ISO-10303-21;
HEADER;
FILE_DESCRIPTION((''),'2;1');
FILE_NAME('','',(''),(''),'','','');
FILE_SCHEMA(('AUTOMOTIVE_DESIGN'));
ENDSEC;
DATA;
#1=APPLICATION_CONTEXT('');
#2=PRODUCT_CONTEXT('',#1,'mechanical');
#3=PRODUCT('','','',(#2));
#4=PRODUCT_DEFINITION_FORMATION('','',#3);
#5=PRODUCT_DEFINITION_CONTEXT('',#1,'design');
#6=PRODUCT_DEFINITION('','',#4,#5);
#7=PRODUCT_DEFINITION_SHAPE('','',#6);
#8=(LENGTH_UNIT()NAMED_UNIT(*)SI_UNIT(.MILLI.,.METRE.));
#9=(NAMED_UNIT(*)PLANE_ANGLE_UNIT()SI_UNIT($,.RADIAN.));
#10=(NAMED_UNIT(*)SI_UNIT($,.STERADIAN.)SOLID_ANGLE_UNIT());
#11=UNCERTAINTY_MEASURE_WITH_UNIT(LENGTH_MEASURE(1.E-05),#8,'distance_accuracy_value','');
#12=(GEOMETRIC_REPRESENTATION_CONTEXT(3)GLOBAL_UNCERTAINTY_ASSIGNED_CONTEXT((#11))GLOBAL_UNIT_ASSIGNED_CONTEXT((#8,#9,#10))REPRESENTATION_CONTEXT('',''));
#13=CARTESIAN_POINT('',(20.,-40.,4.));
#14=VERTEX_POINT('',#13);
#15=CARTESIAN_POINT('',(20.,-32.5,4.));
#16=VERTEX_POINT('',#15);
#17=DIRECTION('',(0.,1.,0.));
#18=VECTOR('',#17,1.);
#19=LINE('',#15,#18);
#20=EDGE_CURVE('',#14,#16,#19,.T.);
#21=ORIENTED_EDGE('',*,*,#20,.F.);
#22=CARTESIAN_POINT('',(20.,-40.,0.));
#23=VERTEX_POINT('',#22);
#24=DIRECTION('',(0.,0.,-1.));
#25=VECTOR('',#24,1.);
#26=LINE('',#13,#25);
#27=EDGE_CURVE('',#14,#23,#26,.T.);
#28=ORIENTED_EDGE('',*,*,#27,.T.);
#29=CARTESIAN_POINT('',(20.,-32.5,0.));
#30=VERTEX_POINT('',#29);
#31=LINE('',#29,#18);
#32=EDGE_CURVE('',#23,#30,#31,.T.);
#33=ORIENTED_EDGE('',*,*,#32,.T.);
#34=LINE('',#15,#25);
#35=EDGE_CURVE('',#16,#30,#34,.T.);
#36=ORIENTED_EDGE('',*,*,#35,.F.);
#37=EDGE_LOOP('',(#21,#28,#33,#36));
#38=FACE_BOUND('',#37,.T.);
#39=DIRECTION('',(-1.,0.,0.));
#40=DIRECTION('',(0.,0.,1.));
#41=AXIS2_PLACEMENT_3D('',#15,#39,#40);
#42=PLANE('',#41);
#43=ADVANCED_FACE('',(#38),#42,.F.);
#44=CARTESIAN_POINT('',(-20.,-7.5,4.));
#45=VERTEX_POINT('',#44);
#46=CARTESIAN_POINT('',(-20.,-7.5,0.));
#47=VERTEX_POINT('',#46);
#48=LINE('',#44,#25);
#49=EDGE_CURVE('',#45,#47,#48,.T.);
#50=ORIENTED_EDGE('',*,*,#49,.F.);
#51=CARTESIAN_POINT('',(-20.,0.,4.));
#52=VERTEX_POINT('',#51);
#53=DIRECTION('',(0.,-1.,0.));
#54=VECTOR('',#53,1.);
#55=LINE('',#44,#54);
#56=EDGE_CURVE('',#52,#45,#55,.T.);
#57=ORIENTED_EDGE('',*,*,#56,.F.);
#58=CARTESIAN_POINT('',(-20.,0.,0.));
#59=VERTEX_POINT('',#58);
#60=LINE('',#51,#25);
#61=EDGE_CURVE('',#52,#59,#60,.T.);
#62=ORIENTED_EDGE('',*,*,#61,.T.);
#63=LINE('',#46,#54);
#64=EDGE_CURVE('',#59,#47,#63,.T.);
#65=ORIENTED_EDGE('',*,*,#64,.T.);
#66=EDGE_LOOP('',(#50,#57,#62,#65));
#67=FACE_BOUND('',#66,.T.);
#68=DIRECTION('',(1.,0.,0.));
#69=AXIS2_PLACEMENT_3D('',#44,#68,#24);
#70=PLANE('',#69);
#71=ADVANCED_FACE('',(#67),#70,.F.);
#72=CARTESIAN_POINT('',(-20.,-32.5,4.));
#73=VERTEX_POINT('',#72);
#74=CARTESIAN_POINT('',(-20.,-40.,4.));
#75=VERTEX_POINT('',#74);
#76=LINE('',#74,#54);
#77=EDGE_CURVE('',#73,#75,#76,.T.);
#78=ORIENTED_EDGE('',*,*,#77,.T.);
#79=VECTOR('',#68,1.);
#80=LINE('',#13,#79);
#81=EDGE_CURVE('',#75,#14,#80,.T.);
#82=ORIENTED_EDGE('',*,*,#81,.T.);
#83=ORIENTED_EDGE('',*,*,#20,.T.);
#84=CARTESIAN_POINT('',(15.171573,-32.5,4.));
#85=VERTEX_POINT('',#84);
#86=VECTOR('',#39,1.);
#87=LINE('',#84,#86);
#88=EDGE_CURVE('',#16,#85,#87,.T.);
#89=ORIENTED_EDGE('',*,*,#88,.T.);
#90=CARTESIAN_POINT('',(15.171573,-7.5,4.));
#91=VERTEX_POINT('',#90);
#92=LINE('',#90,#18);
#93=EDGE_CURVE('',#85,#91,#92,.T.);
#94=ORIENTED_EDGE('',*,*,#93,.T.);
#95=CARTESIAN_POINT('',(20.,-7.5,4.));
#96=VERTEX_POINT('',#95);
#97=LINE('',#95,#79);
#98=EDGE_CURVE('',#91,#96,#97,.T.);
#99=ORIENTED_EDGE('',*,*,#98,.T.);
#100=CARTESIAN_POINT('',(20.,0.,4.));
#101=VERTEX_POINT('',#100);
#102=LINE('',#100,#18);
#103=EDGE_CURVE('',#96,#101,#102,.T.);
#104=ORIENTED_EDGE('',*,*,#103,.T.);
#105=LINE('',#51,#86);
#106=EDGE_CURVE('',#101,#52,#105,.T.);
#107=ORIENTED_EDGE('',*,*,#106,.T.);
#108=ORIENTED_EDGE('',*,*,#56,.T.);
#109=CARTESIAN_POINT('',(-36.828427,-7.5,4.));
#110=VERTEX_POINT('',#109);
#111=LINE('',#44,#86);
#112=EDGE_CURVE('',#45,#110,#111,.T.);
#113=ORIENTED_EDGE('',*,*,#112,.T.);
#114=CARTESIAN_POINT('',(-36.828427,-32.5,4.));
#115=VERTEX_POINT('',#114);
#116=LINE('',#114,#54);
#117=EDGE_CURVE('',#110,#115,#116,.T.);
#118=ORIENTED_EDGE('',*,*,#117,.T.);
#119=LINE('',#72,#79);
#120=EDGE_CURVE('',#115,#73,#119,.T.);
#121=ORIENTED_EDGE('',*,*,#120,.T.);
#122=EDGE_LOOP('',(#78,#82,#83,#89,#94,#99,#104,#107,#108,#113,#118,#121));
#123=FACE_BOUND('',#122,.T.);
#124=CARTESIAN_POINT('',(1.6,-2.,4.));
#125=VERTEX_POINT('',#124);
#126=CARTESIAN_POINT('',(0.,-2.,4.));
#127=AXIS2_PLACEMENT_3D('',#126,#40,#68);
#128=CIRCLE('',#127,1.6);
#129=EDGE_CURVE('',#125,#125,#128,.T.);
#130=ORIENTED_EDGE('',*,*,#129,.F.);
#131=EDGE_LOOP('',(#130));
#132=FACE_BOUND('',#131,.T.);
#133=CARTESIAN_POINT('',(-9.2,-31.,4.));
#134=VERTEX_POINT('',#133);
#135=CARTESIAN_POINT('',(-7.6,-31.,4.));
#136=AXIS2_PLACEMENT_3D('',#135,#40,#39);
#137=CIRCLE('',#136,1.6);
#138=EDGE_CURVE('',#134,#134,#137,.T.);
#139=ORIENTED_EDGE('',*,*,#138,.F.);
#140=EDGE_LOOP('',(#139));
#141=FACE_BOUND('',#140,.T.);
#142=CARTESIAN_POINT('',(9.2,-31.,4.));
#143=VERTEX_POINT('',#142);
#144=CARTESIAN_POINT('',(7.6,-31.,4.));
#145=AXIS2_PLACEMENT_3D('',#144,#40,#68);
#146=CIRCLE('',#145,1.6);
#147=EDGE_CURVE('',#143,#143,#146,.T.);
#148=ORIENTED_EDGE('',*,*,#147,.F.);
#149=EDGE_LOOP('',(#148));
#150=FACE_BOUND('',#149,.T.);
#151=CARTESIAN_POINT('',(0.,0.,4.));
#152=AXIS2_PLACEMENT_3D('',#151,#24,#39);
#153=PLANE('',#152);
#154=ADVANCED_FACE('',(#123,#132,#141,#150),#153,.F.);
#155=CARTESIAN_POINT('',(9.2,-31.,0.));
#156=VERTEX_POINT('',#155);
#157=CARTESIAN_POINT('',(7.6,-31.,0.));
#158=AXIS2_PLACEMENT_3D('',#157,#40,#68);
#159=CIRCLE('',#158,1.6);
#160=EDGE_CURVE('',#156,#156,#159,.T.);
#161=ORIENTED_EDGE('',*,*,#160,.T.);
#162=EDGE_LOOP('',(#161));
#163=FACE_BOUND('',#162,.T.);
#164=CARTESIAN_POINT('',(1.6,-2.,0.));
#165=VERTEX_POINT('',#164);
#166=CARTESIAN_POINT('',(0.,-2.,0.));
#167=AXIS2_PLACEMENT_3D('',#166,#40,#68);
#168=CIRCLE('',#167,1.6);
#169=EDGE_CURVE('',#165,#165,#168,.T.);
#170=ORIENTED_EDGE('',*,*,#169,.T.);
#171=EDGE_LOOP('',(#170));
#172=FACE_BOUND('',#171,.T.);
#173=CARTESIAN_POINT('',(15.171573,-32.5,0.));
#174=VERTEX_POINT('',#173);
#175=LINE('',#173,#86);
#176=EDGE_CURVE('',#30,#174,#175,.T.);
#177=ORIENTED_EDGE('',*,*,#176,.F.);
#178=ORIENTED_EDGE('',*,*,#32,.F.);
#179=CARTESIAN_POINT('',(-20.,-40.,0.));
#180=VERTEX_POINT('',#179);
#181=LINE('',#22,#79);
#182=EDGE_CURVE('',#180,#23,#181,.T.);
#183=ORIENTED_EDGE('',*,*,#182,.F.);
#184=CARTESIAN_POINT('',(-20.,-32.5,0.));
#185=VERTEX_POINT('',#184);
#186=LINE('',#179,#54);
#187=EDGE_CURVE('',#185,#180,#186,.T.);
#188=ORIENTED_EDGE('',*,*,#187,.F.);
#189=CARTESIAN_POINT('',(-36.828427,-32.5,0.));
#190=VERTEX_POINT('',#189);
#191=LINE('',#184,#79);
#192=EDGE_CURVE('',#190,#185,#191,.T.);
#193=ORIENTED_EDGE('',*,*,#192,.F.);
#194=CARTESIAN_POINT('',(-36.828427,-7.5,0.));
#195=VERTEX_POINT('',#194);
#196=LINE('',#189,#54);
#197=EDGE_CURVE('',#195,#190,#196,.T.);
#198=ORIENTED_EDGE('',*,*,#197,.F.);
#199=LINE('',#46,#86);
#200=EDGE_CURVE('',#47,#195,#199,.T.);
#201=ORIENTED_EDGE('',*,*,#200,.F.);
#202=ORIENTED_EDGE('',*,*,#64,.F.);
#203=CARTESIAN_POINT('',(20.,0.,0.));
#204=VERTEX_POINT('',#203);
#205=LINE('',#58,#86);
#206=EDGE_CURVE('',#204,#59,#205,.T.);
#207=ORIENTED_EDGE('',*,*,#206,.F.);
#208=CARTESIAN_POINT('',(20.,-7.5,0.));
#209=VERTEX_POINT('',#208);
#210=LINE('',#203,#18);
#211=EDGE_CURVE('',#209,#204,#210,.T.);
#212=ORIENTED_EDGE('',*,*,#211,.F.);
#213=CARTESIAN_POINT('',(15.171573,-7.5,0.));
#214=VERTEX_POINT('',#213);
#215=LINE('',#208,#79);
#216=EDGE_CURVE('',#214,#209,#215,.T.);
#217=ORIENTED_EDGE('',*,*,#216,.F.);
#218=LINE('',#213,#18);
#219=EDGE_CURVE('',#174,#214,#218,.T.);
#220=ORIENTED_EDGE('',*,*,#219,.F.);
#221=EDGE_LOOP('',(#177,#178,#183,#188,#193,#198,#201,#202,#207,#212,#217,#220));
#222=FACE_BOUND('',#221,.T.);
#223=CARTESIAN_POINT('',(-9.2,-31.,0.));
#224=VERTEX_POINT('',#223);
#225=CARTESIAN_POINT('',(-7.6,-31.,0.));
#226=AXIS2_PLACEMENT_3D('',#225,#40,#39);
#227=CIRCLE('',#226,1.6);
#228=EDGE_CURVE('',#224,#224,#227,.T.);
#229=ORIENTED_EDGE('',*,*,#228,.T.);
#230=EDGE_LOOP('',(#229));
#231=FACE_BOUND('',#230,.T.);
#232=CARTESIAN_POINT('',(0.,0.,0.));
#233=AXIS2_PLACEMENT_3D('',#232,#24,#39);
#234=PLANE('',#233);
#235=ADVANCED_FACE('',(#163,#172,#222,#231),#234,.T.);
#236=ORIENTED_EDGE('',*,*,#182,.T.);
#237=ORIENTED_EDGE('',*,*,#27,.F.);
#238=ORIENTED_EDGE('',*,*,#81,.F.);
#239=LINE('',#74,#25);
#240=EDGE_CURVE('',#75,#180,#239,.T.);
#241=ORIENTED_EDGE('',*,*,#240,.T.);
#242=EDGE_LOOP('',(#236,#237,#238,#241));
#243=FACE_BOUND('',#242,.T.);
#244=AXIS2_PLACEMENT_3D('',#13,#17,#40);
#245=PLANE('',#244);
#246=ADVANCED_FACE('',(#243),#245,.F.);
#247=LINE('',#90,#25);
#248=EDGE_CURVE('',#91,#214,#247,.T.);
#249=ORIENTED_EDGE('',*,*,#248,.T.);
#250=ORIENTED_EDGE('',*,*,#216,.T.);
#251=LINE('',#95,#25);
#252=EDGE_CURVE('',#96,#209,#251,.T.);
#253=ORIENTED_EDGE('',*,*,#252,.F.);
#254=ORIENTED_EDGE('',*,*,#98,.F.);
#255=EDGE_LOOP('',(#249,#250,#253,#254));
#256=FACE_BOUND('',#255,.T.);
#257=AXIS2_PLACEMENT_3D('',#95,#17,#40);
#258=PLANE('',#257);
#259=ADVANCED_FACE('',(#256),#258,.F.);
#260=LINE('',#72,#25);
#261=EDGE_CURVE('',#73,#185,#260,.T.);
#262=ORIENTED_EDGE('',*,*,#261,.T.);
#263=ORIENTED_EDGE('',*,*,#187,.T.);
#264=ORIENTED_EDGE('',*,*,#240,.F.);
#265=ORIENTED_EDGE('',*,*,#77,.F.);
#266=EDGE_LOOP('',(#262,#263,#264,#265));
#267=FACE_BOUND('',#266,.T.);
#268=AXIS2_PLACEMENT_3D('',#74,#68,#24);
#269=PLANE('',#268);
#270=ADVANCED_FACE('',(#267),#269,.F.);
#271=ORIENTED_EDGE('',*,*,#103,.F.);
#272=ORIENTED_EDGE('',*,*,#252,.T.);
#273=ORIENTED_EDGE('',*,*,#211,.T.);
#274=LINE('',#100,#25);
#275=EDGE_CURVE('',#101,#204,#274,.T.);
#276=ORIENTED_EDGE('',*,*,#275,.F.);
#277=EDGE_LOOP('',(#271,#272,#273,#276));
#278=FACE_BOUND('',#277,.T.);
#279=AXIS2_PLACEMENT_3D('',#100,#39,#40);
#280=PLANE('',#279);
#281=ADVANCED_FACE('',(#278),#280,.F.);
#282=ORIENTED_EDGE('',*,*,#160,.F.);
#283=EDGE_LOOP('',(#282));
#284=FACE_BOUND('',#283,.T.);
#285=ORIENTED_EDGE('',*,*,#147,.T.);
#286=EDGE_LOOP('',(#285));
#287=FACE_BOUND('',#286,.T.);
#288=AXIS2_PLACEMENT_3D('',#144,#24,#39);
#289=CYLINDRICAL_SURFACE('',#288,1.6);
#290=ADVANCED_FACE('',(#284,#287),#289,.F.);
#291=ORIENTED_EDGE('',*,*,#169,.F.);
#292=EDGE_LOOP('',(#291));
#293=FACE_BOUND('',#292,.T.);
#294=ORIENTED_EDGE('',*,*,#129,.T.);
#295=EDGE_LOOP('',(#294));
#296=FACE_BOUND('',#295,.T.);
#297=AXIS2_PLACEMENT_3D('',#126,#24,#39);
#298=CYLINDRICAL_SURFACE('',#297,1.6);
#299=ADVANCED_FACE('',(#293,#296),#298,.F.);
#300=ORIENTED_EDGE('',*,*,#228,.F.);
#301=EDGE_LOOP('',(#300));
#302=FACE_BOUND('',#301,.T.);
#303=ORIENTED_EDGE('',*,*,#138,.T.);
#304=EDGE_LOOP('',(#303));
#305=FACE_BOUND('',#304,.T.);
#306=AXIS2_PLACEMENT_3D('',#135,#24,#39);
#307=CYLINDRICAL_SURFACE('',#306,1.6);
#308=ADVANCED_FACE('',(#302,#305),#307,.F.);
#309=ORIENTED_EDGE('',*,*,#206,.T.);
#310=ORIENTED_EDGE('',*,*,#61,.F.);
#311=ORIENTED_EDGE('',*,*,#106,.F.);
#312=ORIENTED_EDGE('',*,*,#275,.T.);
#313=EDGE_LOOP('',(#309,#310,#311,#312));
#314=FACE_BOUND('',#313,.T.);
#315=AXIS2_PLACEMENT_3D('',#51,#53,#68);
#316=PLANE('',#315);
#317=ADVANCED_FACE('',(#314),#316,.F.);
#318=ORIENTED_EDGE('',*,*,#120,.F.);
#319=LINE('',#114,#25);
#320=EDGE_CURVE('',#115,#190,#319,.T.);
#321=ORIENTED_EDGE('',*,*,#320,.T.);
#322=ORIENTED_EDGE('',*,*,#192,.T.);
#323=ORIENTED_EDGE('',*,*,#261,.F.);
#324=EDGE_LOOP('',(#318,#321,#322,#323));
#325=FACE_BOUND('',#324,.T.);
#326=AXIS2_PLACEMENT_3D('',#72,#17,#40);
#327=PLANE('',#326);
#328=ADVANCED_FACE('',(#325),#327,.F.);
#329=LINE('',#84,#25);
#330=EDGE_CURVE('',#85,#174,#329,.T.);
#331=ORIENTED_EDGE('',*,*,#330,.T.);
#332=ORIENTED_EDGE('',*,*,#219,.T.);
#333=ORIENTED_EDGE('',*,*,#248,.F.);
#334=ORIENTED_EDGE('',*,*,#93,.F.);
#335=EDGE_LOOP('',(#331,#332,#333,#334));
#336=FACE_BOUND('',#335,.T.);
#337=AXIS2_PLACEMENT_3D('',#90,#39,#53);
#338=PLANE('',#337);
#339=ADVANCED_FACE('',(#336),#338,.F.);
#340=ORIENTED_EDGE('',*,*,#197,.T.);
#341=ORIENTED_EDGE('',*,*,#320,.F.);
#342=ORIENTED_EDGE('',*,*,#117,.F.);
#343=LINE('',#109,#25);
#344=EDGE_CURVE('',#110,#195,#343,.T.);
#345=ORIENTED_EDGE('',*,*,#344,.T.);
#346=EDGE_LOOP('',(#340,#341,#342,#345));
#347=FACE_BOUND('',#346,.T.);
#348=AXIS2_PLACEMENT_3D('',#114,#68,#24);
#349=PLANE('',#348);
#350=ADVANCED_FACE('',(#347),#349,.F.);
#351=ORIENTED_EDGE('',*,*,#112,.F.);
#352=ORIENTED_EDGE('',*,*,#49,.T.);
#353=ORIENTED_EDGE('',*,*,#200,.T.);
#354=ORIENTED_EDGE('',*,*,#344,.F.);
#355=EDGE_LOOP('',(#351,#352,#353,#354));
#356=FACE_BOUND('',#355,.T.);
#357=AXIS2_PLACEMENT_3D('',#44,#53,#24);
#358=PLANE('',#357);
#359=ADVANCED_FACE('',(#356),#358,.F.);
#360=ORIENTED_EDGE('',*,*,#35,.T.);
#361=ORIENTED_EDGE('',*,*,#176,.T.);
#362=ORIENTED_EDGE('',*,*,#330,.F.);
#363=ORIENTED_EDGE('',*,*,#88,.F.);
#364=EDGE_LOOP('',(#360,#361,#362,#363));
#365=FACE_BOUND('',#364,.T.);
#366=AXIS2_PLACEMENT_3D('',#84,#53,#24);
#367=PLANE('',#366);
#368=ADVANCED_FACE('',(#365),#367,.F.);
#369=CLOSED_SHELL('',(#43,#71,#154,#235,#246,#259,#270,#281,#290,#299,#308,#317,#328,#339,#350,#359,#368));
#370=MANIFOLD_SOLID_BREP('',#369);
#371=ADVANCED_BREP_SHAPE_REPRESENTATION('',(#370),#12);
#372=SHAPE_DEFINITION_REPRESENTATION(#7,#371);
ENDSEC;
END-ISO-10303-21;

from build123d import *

# Parameters (mm, degrees)
SKETCH1_R           = 1.6
BOSS_EXTRUDE1_DEPTH = 4


with BuildPart() as part:
    # Sketch1 → Boss-Extrude1 (new body)
    with BuildSketch(Plane(origin=(0, 0, 0), x_dir=(-1, 0, 0), z_dir=(0, 0, 1))):
        Polygon((-20, 40), (20, 40), (20, 32.5), (36.828427125, 32.5), (36.828427125, 7.5), (20, 7.5), (20, 0), (-20, 0), (-20, 7.5), (-15.171572875, 7.5), (-15.171572875, 32.5), (-20, 32.5), align=None)
        with Locations(Location((-7.6, 31, 0), (0, 0, 180))):
            Circle(SKETCH1_R, mode=Mode.SUBTRACT)
        with Locations((7.6, 31)):
            Circle(SKETCH1_R, mode=Mode.SUBTRACT)
        with Locations(Location((0, 2, 0), (0, 0, 180))):
            Circle(SKETCH1_R, mode=Mode.SUBTRACT)
    extrude(amount=BOSS_EXTRUDE1_DEPTH)


solid = part.part
